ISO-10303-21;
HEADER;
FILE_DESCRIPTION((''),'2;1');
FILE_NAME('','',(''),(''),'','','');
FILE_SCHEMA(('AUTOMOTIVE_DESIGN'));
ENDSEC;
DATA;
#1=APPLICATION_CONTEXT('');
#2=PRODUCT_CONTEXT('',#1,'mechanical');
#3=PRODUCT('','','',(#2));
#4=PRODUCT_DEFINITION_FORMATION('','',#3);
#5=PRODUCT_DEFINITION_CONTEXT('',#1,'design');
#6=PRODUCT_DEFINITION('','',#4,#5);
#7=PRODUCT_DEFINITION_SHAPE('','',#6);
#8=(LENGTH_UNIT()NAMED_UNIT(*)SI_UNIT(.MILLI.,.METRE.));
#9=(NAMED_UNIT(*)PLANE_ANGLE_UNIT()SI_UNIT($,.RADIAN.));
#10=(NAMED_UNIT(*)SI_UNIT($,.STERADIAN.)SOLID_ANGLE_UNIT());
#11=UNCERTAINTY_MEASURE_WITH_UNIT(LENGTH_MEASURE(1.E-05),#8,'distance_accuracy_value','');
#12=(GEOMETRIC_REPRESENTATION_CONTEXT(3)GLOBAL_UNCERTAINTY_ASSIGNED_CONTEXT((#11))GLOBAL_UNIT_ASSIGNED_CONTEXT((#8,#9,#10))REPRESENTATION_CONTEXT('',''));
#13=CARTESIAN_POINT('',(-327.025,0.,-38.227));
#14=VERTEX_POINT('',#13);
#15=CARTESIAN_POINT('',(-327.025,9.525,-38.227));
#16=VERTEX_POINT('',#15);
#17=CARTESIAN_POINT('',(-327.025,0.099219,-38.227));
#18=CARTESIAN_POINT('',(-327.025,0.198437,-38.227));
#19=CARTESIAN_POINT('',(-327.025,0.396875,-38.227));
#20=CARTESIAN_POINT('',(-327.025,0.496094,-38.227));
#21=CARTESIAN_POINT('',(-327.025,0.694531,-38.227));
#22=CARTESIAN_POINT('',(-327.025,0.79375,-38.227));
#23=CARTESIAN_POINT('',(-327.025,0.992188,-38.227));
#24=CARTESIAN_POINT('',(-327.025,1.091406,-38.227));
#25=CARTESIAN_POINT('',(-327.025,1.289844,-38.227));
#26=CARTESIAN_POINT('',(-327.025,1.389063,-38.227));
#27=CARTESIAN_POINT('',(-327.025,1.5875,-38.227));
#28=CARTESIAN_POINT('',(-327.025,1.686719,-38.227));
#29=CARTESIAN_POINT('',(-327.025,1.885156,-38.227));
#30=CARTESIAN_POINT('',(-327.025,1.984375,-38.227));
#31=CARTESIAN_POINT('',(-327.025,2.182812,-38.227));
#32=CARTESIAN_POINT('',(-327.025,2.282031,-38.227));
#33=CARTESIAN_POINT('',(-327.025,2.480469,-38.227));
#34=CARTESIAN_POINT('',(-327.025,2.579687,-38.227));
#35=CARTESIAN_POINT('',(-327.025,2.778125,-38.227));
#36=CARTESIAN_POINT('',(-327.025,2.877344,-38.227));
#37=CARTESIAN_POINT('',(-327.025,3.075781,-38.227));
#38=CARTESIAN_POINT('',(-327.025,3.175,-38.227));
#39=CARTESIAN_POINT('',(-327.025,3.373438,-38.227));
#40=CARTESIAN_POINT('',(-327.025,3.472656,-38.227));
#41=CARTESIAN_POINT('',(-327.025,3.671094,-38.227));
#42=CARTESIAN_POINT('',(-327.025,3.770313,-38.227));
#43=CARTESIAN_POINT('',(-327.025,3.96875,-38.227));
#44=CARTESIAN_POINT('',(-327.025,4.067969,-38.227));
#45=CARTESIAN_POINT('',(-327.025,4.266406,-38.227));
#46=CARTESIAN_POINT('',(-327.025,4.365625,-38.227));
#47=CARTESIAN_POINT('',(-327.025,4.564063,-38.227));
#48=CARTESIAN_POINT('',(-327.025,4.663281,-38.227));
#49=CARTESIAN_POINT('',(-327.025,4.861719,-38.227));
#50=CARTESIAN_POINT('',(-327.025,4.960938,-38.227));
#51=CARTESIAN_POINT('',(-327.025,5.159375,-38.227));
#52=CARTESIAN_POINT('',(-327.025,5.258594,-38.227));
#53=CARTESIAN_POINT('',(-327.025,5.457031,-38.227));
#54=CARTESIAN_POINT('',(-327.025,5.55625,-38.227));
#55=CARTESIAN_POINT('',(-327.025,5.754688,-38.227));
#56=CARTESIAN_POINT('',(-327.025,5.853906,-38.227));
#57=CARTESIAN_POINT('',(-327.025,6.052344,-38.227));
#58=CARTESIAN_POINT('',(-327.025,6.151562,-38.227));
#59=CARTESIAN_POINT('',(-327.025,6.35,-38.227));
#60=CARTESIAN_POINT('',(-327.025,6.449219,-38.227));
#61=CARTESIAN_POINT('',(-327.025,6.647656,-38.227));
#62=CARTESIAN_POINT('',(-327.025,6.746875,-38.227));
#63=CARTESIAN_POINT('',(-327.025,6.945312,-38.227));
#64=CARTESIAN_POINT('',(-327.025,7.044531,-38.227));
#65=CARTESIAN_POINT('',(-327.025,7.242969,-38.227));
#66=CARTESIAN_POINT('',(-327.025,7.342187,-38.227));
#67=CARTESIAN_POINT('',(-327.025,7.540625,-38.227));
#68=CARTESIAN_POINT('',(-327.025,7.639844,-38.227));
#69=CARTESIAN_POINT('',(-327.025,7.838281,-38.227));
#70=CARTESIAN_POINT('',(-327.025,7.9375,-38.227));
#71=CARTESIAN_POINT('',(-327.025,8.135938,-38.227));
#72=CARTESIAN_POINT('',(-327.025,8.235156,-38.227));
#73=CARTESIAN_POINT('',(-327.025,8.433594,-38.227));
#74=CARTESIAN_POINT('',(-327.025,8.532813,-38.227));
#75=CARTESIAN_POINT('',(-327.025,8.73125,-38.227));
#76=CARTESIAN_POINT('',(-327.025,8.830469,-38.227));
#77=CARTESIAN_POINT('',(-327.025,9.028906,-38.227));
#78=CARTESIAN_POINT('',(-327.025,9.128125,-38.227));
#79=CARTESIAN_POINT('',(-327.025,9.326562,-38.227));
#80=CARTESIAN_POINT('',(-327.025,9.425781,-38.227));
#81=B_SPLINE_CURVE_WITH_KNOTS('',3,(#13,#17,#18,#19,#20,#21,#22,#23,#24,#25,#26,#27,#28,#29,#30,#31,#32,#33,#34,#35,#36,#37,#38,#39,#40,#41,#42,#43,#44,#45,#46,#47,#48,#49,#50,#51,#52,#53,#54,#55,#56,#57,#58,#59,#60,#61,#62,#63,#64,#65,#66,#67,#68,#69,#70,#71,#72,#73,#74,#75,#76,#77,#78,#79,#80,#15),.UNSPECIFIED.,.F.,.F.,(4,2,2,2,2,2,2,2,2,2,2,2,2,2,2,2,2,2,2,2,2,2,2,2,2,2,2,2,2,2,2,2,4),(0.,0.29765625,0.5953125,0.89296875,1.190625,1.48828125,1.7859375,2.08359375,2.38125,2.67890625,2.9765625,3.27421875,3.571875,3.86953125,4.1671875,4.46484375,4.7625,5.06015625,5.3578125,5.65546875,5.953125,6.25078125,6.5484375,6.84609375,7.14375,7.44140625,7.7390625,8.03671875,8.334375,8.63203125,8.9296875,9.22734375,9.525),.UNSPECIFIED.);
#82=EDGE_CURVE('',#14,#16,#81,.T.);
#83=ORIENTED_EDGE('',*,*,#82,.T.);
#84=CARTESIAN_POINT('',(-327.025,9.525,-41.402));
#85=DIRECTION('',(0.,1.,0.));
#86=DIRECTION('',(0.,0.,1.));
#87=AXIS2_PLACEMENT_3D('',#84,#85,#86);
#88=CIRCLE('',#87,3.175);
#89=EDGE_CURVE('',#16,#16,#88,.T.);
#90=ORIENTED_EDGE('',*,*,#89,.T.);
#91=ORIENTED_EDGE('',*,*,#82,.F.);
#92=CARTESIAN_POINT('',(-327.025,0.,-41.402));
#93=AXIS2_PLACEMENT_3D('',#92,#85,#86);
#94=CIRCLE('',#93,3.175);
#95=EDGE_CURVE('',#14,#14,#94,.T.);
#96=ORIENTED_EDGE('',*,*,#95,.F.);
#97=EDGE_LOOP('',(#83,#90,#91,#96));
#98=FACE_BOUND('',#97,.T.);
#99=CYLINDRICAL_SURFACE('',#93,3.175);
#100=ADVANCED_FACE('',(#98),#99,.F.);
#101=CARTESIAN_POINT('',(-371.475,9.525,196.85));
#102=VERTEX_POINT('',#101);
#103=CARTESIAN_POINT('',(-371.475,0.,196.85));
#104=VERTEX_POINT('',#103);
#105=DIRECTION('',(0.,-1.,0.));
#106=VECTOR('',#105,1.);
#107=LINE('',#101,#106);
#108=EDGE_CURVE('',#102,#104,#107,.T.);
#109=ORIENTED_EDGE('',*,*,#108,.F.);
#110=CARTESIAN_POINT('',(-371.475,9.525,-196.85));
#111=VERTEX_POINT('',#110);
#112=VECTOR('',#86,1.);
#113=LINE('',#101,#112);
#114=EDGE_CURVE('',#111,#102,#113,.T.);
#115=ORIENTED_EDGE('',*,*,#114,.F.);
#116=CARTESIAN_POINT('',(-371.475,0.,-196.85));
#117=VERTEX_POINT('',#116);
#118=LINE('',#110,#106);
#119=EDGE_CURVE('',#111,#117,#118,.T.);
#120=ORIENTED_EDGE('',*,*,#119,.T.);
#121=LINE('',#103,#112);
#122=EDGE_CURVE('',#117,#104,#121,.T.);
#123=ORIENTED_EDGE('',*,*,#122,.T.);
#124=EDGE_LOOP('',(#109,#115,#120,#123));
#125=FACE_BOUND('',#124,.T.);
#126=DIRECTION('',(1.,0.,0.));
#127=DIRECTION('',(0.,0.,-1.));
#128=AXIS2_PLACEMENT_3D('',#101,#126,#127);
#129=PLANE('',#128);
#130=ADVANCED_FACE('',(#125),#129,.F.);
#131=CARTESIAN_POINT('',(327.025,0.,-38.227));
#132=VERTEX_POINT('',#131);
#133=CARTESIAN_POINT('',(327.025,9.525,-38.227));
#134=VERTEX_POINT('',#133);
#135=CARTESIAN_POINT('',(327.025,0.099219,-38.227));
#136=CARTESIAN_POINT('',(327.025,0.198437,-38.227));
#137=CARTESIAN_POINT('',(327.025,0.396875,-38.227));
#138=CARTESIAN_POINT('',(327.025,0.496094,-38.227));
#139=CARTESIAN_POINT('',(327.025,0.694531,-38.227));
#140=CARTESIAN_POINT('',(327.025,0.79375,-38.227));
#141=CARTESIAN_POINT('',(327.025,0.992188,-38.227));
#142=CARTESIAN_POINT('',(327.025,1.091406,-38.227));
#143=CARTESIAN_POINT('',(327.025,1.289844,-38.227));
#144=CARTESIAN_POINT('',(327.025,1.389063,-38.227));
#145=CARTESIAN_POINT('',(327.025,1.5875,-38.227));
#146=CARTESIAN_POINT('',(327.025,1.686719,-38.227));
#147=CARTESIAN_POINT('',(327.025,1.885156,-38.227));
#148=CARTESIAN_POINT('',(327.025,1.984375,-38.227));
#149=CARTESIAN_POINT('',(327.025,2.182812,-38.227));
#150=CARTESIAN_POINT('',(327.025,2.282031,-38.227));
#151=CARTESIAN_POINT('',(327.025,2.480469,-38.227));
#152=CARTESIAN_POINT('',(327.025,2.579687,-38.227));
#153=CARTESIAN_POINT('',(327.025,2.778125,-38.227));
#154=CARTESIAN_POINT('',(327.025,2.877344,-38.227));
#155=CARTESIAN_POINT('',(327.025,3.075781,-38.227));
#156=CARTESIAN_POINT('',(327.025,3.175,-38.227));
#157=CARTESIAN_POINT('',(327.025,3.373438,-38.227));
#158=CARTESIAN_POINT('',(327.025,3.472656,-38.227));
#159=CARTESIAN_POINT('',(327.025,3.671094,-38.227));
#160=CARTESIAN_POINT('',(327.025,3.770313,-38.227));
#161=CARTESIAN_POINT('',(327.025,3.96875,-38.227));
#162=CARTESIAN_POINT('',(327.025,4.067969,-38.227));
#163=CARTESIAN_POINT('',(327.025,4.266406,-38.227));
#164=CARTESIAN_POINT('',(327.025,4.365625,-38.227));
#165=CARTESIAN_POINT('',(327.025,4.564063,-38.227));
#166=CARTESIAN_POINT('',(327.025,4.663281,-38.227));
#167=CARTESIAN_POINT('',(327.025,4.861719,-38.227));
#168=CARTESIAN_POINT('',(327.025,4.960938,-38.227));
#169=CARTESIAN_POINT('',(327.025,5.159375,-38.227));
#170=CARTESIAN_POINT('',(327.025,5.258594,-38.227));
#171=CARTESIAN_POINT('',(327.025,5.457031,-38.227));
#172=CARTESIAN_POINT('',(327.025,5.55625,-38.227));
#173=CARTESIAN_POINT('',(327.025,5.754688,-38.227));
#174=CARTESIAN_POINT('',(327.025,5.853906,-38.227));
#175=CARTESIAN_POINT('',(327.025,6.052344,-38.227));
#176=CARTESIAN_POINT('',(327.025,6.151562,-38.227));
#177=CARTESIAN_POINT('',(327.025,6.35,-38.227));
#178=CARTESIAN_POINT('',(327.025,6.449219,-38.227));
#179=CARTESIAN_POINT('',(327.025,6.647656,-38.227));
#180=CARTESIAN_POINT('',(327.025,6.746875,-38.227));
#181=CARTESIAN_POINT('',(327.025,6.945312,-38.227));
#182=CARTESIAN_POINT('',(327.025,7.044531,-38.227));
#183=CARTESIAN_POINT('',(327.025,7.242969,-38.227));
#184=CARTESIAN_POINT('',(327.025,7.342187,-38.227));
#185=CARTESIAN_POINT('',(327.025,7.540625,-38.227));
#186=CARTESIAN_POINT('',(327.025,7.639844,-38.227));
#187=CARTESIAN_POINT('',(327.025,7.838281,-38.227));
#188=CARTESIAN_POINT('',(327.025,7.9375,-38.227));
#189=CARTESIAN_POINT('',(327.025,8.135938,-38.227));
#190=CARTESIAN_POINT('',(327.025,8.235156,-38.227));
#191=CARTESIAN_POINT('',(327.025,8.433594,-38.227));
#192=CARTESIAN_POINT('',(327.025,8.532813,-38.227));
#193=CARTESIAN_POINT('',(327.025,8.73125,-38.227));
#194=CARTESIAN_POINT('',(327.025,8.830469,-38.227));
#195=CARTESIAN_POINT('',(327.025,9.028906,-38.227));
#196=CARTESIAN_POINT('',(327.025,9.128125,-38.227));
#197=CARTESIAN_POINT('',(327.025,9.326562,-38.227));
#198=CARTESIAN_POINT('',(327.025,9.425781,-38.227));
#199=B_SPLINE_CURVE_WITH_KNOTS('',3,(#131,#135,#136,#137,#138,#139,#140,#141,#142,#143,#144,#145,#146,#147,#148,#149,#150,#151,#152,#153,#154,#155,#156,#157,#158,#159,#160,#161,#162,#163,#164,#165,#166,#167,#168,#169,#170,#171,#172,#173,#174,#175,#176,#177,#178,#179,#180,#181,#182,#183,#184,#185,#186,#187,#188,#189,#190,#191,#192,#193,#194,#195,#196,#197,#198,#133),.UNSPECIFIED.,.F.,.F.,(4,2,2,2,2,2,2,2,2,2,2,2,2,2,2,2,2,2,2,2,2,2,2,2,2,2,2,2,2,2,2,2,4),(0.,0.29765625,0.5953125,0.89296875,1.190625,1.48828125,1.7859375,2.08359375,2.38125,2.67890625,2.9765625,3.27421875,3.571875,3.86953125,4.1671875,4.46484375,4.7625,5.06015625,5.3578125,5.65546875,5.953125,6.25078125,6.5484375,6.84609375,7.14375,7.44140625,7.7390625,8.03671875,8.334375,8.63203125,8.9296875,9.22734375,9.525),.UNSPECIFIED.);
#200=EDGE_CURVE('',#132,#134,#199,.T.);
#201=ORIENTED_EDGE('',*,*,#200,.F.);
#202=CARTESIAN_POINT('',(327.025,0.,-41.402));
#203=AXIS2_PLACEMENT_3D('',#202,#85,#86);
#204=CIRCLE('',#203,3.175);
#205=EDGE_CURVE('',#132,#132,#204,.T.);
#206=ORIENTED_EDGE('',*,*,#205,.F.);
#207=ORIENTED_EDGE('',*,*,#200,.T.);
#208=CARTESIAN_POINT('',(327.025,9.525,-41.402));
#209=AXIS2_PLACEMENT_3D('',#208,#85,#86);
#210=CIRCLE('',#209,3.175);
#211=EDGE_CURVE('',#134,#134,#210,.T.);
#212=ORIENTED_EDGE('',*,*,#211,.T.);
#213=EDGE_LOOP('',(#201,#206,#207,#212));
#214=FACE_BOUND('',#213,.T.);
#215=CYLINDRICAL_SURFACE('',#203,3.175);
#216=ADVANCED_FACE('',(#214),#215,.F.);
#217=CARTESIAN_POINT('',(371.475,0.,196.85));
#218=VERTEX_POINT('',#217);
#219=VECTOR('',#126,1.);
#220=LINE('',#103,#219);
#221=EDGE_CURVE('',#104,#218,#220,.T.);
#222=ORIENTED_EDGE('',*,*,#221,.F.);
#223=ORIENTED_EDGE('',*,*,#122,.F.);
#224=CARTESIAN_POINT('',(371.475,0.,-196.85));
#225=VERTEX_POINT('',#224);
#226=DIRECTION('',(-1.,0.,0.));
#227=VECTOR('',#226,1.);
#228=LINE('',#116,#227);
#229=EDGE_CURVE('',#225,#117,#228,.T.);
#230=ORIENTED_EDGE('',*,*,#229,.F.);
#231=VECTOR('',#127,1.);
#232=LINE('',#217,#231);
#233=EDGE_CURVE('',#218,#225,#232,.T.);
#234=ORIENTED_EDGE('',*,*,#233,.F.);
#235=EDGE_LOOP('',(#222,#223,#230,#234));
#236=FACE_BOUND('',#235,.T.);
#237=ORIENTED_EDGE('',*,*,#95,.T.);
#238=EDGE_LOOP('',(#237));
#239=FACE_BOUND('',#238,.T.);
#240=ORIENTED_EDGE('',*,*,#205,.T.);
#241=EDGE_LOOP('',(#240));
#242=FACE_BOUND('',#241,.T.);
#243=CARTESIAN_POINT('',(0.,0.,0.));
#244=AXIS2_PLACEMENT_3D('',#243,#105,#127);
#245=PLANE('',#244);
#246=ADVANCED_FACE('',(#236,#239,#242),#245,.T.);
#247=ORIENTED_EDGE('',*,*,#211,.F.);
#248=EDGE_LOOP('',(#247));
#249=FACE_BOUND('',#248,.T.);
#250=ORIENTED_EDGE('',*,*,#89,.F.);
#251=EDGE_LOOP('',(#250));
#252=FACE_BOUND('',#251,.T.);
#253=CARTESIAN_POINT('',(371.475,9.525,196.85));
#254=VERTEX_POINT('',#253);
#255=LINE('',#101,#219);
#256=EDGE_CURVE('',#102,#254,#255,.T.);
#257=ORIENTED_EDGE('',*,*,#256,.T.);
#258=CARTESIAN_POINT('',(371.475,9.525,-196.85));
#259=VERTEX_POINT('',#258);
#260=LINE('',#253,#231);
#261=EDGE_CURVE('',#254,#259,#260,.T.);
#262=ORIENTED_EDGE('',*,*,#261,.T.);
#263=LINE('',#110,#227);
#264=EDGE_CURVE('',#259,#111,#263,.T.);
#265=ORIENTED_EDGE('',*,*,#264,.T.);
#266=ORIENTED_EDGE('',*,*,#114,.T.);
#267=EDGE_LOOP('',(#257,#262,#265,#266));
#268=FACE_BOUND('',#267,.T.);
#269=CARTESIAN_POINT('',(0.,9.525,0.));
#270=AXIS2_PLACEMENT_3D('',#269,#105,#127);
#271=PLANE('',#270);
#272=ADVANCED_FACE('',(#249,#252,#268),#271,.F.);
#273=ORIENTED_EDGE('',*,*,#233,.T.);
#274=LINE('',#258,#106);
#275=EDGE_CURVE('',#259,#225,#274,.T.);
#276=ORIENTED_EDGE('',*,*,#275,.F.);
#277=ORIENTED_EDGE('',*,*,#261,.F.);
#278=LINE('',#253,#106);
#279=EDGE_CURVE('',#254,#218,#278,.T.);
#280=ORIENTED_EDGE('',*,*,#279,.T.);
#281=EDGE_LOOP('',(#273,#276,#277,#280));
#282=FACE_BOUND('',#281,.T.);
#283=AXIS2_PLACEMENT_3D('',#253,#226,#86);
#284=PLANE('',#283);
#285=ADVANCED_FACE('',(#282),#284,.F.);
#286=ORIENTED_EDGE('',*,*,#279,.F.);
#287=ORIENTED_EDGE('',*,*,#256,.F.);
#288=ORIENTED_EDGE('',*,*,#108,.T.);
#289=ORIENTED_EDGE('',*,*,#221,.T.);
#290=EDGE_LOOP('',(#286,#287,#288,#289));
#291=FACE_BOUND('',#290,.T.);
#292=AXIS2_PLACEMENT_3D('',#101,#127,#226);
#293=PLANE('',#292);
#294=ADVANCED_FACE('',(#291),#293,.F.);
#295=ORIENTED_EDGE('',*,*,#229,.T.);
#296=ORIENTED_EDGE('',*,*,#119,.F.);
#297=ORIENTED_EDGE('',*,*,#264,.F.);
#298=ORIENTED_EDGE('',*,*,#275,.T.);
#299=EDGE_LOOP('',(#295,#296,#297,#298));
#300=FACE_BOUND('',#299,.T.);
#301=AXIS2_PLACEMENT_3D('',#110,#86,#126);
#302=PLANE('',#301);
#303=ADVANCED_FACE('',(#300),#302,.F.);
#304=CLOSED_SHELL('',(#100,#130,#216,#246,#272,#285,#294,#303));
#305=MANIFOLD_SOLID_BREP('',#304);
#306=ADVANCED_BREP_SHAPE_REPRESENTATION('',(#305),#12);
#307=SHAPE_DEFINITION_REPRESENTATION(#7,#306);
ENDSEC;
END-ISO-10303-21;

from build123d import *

# Parameters (mm, degrees)
SKETCH1_W           = 742.95
SKETCH1_H           = 393.7
BOSS_EXTRUDE1_DEPTH = 9.525
SKETCH3_R           = 3.175
CUT_EXTRUDE3_DEPTH  = 421.516734209


with BuildPart() as part:
    # Sketch1 → Boss-Extrude1 (new body)
    with BuildSketch(Plane(origin=(0, 0, 0), x_dir=(1, 0, 0), z_dir=(0, 1, 0))):
        Rectangle(SKETCH1_W, SKETCH1_H)
    extrude(amount=BOSS_EXTRUDE1_DEPTH)

    # Sketch3 → Cut-Extrude3 (cut, through all)
    with BuildSketch(Plane(origin=(0, 9.525, 0), x_dir=(1, 0, 0), z_dir=(0, 1, 0))):
        with Locations(Location((-327.025, 41.402, 0), (0, 0, 270))):
            Circle(SKETCH3_R)
        with Locations(Location((327.025, 41.402, 0), (0, 0, 270))):
            Circle(SKETCH3_R)
    extrude(amount=-CUT_EXTRUDE3_DEPTH, mode=Mode.SUBTRACT)


solid = part.part
